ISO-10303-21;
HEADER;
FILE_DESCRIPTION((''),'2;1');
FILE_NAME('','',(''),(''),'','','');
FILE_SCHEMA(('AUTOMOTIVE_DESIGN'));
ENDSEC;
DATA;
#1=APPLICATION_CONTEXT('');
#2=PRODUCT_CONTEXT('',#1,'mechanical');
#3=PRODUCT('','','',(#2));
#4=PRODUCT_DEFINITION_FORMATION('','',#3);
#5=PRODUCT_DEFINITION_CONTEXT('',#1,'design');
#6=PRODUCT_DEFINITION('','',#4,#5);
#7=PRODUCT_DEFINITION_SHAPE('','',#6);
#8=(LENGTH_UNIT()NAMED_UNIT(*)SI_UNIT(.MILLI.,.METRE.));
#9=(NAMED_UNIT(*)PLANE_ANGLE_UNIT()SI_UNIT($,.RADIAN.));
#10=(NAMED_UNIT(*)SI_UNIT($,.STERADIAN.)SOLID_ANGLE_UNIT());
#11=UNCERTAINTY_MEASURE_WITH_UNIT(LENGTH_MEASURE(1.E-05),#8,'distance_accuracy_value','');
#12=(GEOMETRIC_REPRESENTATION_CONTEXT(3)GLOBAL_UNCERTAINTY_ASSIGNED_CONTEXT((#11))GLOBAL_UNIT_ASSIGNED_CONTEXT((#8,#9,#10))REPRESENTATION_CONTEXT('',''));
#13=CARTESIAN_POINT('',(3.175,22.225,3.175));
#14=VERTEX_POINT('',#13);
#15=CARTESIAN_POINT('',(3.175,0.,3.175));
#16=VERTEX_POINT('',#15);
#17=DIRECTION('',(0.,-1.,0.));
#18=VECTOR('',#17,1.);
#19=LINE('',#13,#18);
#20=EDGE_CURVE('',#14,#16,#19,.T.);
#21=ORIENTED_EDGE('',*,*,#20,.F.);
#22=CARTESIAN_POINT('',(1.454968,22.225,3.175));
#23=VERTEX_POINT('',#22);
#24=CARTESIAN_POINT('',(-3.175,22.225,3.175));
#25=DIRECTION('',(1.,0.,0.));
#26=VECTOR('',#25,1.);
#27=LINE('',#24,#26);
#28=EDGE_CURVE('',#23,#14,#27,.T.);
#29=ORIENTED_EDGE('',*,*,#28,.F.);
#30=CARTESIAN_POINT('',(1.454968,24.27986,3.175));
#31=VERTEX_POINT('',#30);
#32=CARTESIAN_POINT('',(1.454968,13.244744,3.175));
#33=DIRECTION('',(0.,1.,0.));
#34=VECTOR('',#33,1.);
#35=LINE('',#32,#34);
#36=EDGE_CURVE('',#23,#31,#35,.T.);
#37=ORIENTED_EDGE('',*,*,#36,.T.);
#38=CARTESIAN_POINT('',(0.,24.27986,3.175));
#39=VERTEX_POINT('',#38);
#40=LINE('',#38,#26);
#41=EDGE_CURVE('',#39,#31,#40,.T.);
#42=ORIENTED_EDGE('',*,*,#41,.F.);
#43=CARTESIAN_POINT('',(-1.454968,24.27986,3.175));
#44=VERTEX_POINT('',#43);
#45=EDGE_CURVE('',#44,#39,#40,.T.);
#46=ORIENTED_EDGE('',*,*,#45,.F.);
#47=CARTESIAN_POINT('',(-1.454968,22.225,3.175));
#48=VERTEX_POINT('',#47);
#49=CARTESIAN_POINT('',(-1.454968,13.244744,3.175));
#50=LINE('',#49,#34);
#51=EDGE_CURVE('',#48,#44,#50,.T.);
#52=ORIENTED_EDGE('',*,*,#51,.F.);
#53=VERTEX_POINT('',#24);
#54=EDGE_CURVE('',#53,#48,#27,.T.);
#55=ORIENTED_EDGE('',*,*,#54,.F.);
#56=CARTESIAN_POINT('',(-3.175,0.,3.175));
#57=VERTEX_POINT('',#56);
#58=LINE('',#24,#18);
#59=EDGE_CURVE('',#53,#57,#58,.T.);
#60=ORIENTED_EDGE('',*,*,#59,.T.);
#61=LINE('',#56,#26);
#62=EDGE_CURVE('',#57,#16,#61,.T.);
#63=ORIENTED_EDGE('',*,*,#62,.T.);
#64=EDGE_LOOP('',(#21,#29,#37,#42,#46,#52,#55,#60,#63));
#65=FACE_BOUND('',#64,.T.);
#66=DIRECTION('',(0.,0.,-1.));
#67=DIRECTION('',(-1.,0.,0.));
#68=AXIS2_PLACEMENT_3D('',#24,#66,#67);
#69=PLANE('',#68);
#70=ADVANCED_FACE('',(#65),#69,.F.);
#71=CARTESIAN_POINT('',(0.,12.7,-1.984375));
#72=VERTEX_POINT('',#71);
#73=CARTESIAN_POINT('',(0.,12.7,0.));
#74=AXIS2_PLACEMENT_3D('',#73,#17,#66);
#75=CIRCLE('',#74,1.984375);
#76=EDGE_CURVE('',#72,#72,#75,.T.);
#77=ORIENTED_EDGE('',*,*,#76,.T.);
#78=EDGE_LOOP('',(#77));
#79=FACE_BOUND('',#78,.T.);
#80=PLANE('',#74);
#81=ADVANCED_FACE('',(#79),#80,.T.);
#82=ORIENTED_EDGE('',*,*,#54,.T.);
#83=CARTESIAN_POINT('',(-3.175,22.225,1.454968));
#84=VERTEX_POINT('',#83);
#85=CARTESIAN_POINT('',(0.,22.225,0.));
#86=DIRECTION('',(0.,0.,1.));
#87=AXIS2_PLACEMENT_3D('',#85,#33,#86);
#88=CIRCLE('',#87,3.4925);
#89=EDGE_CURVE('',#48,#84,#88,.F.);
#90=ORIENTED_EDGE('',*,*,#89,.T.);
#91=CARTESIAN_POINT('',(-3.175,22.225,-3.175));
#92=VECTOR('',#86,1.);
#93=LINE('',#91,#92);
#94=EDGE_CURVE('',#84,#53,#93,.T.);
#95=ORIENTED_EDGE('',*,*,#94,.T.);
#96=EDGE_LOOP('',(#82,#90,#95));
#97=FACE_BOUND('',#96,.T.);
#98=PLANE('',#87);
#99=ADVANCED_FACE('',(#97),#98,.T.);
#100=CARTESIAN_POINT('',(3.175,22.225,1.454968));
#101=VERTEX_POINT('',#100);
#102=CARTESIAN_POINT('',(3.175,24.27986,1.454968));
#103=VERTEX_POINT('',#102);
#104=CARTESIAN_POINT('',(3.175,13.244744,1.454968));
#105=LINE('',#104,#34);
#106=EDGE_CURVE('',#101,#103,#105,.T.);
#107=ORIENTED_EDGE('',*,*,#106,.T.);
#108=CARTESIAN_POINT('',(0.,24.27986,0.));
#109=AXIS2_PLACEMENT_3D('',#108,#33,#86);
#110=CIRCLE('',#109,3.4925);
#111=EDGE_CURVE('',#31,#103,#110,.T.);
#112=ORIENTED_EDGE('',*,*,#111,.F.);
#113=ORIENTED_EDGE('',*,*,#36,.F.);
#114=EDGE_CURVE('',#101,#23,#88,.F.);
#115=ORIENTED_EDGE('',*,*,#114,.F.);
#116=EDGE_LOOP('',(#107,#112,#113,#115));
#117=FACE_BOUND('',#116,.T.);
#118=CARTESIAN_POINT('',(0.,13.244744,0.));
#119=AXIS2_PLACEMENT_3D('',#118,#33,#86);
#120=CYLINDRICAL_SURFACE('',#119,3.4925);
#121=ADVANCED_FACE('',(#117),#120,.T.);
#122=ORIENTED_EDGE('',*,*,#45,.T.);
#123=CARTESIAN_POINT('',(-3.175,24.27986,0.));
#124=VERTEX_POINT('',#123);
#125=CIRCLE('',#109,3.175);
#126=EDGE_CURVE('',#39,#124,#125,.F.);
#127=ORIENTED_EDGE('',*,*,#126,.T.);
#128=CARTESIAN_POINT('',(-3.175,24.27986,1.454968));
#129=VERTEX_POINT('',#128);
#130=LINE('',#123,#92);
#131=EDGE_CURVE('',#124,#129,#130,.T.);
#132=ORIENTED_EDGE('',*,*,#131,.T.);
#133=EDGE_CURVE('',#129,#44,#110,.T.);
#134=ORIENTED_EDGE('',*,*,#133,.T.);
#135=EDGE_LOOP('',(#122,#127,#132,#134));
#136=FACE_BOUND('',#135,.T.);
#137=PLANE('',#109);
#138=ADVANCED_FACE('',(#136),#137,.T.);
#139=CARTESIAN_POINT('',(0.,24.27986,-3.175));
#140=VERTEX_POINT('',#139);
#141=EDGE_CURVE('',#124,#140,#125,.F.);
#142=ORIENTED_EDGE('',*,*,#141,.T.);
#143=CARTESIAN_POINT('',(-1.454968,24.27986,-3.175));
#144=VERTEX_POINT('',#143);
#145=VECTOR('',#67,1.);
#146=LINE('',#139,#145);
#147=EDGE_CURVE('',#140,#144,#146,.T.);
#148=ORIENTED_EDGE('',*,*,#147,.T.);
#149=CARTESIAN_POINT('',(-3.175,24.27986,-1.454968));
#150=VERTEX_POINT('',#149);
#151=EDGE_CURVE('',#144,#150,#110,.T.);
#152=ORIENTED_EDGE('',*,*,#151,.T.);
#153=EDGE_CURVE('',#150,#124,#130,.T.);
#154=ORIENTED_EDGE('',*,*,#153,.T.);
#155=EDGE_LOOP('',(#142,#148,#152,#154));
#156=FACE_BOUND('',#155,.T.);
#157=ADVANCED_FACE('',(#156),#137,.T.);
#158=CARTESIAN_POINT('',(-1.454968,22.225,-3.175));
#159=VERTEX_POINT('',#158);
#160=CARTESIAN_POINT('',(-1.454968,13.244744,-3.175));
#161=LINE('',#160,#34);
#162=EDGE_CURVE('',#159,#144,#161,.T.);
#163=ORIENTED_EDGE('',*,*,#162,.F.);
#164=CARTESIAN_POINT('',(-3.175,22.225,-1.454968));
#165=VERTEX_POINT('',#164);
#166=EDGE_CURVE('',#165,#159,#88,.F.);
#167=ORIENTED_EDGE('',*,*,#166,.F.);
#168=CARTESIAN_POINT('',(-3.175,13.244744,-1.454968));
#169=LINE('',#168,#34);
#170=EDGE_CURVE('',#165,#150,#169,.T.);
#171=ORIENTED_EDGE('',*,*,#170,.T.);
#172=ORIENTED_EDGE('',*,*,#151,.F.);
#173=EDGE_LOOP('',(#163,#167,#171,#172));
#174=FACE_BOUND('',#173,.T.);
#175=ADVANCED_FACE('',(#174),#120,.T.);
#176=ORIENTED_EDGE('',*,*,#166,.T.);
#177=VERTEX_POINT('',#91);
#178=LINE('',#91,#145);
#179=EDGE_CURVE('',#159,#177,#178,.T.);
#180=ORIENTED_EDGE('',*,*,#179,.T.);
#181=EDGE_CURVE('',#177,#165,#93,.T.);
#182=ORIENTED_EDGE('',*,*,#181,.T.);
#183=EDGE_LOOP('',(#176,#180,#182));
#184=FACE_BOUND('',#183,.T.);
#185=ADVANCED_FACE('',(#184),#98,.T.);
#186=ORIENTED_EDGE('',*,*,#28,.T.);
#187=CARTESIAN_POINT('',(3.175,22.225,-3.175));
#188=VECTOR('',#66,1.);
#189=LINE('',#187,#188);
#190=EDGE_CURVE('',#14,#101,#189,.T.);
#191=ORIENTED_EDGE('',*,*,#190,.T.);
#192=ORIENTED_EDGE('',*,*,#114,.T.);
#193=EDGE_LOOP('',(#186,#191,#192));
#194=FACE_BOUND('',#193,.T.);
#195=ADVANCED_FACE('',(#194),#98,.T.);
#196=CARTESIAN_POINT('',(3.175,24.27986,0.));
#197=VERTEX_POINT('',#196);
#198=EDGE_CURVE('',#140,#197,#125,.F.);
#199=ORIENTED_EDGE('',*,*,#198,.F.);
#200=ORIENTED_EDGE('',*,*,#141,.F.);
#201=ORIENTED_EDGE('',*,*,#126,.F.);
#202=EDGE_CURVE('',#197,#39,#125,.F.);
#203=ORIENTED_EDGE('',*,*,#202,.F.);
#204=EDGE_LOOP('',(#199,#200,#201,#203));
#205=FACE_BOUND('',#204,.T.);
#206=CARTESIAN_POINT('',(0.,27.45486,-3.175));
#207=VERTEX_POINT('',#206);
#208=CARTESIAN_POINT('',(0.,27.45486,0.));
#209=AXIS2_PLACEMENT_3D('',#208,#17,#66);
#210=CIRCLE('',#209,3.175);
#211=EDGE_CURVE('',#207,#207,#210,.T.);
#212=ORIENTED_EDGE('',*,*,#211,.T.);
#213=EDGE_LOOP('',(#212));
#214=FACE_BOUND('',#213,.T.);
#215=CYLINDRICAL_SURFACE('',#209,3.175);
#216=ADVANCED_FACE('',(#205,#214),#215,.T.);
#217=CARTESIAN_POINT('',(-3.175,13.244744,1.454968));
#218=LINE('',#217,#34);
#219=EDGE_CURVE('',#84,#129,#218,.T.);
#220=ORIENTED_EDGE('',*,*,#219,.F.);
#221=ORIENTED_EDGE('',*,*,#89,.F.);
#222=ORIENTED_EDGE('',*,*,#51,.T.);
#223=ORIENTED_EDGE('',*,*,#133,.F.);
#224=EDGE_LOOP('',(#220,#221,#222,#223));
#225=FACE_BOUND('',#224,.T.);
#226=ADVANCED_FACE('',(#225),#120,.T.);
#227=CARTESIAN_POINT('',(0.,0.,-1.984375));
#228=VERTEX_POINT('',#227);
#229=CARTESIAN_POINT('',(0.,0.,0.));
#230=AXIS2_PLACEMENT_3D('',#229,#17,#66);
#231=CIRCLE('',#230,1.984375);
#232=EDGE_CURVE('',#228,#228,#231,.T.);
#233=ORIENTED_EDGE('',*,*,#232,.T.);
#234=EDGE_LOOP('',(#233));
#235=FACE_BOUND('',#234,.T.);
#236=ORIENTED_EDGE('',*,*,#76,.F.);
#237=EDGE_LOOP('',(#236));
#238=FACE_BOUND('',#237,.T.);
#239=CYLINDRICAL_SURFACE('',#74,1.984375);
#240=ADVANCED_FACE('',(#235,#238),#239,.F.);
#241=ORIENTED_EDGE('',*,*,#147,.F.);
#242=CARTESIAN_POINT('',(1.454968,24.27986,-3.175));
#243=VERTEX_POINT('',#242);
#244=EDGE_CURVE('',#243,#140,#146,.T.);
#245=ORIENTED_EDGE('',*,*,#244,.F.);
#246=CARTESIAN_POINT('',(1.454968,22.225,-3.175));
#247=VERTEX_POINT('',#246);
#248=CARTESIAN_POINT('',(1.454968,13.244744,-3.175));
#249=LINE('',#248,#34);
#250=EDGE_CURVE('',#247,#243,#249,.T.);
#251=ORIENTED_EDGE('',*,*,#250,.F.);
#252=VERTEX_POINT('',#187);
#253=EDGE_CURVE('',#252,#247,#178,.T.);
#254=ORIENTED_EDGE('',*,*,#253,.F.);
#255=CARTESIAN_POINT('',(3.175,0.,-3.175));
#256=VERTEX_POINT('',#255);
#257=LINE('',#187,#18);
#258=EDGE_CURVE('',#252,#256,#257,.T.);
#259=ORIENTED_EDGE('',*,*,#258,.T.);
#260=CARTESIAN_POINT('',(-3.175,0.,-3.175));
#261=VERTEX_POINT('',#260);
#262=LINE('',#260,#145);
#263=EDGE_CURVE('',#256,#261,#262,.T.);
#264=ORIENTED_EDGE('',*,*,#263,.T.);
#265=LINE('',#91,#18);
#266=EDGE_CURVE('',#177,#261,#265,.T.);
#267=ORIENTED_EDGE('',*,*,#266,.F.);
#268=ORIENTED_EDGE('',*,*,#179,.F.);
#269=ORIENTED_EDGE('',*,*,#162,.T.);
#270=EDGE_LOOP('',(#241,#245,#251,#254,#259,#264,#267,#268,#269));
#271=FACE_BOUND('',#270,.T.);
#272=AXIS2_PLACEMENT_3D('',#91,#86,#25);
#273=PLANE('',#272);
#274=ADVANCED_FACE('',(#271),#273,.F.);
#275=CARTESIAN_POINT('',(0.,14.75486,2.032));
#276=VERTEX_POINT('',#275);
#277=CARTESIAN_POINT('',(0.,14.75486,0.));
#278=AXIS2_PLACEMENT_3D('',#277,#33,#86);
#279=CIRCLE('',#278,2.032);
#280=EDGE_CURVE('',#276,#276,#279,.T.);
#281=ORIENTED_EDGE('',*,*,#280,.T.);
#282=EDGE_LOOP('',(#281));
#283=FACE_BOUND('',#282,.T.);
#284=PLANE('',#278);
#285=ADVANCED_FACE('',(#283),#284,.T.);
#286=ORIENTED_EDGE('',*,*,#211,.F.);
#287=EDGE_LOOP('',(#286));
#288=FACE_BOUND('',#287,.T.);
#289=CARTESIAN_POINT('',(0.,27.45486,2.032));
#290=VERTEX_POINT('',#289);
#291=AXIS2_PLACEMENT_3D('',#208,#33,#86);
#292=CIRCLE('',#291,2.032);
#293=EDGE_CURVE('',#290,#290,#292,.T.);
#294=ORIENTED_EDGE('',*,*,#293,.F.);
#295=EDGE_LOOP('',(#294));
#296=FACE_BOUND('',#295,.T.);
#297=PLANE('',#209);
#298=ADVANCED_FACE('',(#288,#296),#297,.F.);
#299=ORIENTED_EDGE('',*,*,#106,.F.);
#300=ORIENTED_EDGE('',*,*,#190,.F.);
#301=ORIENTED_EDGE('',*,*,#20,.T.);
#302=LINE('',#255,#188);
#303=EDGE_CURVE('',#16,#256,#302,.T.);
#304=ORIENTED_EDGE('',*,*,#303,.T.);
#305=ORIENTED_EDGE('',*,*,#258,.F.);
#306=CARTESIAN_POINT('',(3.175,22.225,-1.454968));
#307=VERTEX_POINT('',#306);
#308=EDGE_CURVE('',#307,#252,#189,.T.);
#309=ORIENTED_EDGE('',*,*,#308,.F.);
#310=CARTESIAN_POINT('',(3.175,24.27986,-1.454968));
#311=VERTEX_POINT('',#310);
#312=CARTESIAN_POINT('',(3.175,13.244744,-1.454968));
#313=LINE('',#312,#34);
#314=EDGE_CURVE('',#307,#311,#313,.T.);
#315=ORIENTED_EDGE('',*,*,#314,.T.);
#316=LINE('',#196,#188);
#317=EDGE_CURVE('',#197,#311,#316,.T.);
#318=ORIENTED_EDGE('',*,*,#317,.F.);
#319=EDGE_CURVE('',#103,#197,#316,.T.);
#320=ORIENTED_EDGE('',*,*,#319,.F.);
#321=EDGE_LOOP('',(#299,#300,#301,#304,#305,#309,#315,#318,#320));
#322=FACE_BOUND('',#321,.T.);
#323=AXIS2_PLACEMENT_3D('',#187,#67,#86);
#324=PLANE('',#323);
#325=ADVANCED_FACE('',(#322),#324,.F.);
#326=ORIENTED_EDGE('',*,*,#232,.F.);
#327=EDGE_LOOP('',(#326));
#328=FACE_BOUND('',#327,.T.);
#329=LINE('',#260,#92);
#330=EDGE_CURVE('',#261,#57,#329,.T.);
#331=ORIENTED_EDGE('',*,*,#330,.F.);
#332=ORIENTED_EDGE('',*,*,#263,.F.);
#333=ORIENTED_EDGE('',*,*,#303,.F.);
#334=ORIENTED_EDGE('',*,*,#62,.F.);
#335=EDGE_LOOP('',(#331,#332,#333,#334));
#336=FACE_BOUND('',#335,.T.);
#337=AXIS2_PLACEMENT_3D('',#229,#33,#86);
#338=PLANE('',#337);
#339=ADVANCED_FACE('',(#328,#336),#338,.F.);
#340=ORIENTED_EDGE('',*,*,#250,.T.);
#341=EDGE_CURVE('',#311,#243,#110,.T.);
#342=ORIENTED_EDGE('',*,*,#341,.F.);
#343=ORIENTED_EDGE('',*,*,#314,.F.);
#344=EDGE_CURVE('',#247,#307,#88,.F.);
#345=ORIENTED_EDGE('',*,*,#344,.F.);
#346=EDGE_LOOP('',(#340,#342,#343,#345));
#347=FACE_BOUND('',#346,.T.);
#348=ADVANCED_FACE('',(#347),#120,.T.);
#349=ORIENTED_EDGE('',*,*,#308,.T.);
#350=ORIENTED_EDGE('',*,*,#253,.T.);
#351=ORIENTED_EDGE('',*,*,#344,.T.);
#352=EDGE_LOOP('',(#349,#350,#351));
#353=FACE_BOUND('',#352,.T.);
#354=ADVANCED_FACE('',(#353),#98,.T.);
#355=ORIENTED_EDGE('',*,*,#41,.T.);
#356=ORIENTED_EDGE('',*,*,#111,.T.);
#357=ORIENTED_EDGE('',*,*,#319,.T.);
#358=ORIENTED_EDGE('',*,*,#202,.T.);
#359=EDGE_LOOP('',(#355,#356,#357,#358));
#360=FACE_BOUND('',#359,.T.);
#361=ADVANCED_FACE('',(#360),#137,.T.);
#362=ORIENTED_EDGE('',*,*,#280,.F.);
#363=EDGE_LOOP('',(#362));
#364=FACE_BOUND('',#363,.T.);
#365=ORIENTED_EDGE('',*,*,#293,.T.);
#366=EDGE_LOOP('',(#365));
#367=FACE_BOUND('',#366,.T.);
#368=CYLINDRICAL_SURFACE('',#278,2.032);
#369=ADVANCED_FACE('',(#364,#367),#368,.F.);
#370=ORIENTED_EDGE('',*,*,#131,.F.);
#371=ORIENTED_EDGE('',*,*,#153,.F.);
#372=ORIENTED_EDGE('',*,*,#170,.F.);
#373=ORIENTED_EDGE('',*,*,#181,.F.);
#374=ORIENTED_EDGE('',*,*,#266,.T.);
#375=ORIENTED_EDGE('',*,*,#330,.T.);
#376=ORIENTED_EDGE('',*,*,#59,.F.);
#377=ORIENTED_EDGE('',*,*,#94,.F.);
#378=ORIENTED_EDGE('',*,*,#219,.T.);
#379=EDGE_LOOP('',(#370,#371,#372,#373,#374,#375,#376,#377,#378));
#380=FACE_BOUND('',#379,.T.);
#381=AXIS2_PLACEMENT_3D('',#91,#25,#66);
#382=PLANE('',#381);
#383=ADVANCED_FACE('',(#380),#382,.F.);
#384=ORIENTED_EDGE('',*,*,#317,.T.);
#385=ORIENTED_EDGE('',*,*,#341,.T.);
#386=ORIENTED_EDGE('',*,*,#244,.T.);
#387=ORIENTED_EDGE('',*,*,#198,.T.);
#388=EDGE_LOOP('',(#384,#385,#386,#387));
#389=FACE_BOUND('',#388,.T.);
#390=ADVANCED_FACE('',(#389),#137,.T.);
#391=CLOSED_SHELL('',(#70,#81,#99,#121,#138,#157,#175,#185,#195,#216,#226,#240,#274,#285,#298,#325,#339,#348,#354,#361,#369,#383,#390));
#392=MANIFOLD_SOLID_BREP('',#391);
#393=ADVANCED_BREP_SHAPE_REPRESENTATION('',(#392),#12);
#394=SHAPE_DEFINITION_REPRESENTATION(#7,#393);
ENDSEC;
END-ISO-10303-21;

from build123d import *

# Parameters (mm, degrees)
SKETCH1_W           = 6.35
SKETCH1_H           = 6.35
BOSS_EXTRUDE1_DEPTH = 22.225
SKETCH2_R           = 3.175
BOSS_EXTRUDE2_DEPTH = 27.45486
BOSS_EXTRUDE3_DEPTH = 2.05486
SKETCH5_R           = 1.984375
CUT_EXTRUDE1_DEPTH  = 12.7
SKETCH6_R           = 2.032
CUT_EXTRUDE2_DEPTH  = 12.7


with BuildPart() as part:
    # Sketch1 → Boss-Extrude1 (new body)
    with BuildSketch(Plane(origin=(0, 0, 0), x_dir=(1, 0, 0), z_dir=(0, 1, 0))):
        Rectangle(SKETCH1_W, SKETCH1_H)
    extrude(amount=BOSS_EXTRUDE1_DEPTH)

    # Sketch2 → Boss-Extrude2 (add)
    with BuildSketch(Plane.XZ):
        with Locations(Location((0, 0, 0), (0, 0, 270))):
            Circle(SKETCH2_R)
    extrude(amount=-BOSS_EXTRUDE2_DEPTH)

    # Sketch4 → Boss-Extrude3 (add)
    with BuildSketch(Plane(origin=(0, 24.27986, 0), x_dir=(1, 0, 0), z_dir=(0, 1, 0))):
        with BuildLine():
            Line((-3.175, 0), (-3.175, -1.454967783))
            ThreePointArc((-3.175, -1.454967783), (-2.469570433, -2.469570433), (-1.454967783, -3.175))
            Line((-1.454967783, -3.175), (0, -3.175))
            Line((0, -3.175), (1.454967783, -3.175))
            ThreePointArc((1.454967783, -3.175), (2.469570433, -2.469570433), (3.175, -1.454967783))
            Line((3.175, -1.454967783), (3.175, 0))
            Line((3.175, 0), (3.175, 1.454967783))
            ThreePointArc((3.175, 1.454967783), (2.469570433, 2.469570433), (1.454967783, 3.175))
            Line((1.454967783, 3.175), (0, 3.175))
            Line((0, 3.175), (-1.454967783, 3.175))
            ThreePointArc((-1.454967783, 3.175), (-2.469570433, 2.469570433), (-3.175, 1.454967783))
            Line((-3.175, 1.454967783), (-3.175, 0))
        make_face()
    extrude(amount=-BOSS_EXTRUDE3_DEPTH)

    # Sketch5 → Cut-Extrude1 (cut)
    with BuildSketch(Plane.XZ):
        with Locations(Location((0, 0, 0), (0, 0, 270))):
            Circle(SKETCH5_R)
    extrude(amount=-CUT_EXTRUDE1_DEPTH, mode=Mode.SUBTRACT)

    # Sketch6 → Cut-Extrude2 (cut)
    with BuildSketch(Plane(origin=(0, 27.45486, 0), x_dir=(1, 0, 0), z_dir=(0, 1, 0))):
        with Locations(Location((0, 0, 0), (0, 0, 270))):
            Circle(SKETCH6_R)
    extrude(amount=-CUT_EXTRUDE2_DEPTH, mode=Mode.SUBTRACT)


solid = part.part
